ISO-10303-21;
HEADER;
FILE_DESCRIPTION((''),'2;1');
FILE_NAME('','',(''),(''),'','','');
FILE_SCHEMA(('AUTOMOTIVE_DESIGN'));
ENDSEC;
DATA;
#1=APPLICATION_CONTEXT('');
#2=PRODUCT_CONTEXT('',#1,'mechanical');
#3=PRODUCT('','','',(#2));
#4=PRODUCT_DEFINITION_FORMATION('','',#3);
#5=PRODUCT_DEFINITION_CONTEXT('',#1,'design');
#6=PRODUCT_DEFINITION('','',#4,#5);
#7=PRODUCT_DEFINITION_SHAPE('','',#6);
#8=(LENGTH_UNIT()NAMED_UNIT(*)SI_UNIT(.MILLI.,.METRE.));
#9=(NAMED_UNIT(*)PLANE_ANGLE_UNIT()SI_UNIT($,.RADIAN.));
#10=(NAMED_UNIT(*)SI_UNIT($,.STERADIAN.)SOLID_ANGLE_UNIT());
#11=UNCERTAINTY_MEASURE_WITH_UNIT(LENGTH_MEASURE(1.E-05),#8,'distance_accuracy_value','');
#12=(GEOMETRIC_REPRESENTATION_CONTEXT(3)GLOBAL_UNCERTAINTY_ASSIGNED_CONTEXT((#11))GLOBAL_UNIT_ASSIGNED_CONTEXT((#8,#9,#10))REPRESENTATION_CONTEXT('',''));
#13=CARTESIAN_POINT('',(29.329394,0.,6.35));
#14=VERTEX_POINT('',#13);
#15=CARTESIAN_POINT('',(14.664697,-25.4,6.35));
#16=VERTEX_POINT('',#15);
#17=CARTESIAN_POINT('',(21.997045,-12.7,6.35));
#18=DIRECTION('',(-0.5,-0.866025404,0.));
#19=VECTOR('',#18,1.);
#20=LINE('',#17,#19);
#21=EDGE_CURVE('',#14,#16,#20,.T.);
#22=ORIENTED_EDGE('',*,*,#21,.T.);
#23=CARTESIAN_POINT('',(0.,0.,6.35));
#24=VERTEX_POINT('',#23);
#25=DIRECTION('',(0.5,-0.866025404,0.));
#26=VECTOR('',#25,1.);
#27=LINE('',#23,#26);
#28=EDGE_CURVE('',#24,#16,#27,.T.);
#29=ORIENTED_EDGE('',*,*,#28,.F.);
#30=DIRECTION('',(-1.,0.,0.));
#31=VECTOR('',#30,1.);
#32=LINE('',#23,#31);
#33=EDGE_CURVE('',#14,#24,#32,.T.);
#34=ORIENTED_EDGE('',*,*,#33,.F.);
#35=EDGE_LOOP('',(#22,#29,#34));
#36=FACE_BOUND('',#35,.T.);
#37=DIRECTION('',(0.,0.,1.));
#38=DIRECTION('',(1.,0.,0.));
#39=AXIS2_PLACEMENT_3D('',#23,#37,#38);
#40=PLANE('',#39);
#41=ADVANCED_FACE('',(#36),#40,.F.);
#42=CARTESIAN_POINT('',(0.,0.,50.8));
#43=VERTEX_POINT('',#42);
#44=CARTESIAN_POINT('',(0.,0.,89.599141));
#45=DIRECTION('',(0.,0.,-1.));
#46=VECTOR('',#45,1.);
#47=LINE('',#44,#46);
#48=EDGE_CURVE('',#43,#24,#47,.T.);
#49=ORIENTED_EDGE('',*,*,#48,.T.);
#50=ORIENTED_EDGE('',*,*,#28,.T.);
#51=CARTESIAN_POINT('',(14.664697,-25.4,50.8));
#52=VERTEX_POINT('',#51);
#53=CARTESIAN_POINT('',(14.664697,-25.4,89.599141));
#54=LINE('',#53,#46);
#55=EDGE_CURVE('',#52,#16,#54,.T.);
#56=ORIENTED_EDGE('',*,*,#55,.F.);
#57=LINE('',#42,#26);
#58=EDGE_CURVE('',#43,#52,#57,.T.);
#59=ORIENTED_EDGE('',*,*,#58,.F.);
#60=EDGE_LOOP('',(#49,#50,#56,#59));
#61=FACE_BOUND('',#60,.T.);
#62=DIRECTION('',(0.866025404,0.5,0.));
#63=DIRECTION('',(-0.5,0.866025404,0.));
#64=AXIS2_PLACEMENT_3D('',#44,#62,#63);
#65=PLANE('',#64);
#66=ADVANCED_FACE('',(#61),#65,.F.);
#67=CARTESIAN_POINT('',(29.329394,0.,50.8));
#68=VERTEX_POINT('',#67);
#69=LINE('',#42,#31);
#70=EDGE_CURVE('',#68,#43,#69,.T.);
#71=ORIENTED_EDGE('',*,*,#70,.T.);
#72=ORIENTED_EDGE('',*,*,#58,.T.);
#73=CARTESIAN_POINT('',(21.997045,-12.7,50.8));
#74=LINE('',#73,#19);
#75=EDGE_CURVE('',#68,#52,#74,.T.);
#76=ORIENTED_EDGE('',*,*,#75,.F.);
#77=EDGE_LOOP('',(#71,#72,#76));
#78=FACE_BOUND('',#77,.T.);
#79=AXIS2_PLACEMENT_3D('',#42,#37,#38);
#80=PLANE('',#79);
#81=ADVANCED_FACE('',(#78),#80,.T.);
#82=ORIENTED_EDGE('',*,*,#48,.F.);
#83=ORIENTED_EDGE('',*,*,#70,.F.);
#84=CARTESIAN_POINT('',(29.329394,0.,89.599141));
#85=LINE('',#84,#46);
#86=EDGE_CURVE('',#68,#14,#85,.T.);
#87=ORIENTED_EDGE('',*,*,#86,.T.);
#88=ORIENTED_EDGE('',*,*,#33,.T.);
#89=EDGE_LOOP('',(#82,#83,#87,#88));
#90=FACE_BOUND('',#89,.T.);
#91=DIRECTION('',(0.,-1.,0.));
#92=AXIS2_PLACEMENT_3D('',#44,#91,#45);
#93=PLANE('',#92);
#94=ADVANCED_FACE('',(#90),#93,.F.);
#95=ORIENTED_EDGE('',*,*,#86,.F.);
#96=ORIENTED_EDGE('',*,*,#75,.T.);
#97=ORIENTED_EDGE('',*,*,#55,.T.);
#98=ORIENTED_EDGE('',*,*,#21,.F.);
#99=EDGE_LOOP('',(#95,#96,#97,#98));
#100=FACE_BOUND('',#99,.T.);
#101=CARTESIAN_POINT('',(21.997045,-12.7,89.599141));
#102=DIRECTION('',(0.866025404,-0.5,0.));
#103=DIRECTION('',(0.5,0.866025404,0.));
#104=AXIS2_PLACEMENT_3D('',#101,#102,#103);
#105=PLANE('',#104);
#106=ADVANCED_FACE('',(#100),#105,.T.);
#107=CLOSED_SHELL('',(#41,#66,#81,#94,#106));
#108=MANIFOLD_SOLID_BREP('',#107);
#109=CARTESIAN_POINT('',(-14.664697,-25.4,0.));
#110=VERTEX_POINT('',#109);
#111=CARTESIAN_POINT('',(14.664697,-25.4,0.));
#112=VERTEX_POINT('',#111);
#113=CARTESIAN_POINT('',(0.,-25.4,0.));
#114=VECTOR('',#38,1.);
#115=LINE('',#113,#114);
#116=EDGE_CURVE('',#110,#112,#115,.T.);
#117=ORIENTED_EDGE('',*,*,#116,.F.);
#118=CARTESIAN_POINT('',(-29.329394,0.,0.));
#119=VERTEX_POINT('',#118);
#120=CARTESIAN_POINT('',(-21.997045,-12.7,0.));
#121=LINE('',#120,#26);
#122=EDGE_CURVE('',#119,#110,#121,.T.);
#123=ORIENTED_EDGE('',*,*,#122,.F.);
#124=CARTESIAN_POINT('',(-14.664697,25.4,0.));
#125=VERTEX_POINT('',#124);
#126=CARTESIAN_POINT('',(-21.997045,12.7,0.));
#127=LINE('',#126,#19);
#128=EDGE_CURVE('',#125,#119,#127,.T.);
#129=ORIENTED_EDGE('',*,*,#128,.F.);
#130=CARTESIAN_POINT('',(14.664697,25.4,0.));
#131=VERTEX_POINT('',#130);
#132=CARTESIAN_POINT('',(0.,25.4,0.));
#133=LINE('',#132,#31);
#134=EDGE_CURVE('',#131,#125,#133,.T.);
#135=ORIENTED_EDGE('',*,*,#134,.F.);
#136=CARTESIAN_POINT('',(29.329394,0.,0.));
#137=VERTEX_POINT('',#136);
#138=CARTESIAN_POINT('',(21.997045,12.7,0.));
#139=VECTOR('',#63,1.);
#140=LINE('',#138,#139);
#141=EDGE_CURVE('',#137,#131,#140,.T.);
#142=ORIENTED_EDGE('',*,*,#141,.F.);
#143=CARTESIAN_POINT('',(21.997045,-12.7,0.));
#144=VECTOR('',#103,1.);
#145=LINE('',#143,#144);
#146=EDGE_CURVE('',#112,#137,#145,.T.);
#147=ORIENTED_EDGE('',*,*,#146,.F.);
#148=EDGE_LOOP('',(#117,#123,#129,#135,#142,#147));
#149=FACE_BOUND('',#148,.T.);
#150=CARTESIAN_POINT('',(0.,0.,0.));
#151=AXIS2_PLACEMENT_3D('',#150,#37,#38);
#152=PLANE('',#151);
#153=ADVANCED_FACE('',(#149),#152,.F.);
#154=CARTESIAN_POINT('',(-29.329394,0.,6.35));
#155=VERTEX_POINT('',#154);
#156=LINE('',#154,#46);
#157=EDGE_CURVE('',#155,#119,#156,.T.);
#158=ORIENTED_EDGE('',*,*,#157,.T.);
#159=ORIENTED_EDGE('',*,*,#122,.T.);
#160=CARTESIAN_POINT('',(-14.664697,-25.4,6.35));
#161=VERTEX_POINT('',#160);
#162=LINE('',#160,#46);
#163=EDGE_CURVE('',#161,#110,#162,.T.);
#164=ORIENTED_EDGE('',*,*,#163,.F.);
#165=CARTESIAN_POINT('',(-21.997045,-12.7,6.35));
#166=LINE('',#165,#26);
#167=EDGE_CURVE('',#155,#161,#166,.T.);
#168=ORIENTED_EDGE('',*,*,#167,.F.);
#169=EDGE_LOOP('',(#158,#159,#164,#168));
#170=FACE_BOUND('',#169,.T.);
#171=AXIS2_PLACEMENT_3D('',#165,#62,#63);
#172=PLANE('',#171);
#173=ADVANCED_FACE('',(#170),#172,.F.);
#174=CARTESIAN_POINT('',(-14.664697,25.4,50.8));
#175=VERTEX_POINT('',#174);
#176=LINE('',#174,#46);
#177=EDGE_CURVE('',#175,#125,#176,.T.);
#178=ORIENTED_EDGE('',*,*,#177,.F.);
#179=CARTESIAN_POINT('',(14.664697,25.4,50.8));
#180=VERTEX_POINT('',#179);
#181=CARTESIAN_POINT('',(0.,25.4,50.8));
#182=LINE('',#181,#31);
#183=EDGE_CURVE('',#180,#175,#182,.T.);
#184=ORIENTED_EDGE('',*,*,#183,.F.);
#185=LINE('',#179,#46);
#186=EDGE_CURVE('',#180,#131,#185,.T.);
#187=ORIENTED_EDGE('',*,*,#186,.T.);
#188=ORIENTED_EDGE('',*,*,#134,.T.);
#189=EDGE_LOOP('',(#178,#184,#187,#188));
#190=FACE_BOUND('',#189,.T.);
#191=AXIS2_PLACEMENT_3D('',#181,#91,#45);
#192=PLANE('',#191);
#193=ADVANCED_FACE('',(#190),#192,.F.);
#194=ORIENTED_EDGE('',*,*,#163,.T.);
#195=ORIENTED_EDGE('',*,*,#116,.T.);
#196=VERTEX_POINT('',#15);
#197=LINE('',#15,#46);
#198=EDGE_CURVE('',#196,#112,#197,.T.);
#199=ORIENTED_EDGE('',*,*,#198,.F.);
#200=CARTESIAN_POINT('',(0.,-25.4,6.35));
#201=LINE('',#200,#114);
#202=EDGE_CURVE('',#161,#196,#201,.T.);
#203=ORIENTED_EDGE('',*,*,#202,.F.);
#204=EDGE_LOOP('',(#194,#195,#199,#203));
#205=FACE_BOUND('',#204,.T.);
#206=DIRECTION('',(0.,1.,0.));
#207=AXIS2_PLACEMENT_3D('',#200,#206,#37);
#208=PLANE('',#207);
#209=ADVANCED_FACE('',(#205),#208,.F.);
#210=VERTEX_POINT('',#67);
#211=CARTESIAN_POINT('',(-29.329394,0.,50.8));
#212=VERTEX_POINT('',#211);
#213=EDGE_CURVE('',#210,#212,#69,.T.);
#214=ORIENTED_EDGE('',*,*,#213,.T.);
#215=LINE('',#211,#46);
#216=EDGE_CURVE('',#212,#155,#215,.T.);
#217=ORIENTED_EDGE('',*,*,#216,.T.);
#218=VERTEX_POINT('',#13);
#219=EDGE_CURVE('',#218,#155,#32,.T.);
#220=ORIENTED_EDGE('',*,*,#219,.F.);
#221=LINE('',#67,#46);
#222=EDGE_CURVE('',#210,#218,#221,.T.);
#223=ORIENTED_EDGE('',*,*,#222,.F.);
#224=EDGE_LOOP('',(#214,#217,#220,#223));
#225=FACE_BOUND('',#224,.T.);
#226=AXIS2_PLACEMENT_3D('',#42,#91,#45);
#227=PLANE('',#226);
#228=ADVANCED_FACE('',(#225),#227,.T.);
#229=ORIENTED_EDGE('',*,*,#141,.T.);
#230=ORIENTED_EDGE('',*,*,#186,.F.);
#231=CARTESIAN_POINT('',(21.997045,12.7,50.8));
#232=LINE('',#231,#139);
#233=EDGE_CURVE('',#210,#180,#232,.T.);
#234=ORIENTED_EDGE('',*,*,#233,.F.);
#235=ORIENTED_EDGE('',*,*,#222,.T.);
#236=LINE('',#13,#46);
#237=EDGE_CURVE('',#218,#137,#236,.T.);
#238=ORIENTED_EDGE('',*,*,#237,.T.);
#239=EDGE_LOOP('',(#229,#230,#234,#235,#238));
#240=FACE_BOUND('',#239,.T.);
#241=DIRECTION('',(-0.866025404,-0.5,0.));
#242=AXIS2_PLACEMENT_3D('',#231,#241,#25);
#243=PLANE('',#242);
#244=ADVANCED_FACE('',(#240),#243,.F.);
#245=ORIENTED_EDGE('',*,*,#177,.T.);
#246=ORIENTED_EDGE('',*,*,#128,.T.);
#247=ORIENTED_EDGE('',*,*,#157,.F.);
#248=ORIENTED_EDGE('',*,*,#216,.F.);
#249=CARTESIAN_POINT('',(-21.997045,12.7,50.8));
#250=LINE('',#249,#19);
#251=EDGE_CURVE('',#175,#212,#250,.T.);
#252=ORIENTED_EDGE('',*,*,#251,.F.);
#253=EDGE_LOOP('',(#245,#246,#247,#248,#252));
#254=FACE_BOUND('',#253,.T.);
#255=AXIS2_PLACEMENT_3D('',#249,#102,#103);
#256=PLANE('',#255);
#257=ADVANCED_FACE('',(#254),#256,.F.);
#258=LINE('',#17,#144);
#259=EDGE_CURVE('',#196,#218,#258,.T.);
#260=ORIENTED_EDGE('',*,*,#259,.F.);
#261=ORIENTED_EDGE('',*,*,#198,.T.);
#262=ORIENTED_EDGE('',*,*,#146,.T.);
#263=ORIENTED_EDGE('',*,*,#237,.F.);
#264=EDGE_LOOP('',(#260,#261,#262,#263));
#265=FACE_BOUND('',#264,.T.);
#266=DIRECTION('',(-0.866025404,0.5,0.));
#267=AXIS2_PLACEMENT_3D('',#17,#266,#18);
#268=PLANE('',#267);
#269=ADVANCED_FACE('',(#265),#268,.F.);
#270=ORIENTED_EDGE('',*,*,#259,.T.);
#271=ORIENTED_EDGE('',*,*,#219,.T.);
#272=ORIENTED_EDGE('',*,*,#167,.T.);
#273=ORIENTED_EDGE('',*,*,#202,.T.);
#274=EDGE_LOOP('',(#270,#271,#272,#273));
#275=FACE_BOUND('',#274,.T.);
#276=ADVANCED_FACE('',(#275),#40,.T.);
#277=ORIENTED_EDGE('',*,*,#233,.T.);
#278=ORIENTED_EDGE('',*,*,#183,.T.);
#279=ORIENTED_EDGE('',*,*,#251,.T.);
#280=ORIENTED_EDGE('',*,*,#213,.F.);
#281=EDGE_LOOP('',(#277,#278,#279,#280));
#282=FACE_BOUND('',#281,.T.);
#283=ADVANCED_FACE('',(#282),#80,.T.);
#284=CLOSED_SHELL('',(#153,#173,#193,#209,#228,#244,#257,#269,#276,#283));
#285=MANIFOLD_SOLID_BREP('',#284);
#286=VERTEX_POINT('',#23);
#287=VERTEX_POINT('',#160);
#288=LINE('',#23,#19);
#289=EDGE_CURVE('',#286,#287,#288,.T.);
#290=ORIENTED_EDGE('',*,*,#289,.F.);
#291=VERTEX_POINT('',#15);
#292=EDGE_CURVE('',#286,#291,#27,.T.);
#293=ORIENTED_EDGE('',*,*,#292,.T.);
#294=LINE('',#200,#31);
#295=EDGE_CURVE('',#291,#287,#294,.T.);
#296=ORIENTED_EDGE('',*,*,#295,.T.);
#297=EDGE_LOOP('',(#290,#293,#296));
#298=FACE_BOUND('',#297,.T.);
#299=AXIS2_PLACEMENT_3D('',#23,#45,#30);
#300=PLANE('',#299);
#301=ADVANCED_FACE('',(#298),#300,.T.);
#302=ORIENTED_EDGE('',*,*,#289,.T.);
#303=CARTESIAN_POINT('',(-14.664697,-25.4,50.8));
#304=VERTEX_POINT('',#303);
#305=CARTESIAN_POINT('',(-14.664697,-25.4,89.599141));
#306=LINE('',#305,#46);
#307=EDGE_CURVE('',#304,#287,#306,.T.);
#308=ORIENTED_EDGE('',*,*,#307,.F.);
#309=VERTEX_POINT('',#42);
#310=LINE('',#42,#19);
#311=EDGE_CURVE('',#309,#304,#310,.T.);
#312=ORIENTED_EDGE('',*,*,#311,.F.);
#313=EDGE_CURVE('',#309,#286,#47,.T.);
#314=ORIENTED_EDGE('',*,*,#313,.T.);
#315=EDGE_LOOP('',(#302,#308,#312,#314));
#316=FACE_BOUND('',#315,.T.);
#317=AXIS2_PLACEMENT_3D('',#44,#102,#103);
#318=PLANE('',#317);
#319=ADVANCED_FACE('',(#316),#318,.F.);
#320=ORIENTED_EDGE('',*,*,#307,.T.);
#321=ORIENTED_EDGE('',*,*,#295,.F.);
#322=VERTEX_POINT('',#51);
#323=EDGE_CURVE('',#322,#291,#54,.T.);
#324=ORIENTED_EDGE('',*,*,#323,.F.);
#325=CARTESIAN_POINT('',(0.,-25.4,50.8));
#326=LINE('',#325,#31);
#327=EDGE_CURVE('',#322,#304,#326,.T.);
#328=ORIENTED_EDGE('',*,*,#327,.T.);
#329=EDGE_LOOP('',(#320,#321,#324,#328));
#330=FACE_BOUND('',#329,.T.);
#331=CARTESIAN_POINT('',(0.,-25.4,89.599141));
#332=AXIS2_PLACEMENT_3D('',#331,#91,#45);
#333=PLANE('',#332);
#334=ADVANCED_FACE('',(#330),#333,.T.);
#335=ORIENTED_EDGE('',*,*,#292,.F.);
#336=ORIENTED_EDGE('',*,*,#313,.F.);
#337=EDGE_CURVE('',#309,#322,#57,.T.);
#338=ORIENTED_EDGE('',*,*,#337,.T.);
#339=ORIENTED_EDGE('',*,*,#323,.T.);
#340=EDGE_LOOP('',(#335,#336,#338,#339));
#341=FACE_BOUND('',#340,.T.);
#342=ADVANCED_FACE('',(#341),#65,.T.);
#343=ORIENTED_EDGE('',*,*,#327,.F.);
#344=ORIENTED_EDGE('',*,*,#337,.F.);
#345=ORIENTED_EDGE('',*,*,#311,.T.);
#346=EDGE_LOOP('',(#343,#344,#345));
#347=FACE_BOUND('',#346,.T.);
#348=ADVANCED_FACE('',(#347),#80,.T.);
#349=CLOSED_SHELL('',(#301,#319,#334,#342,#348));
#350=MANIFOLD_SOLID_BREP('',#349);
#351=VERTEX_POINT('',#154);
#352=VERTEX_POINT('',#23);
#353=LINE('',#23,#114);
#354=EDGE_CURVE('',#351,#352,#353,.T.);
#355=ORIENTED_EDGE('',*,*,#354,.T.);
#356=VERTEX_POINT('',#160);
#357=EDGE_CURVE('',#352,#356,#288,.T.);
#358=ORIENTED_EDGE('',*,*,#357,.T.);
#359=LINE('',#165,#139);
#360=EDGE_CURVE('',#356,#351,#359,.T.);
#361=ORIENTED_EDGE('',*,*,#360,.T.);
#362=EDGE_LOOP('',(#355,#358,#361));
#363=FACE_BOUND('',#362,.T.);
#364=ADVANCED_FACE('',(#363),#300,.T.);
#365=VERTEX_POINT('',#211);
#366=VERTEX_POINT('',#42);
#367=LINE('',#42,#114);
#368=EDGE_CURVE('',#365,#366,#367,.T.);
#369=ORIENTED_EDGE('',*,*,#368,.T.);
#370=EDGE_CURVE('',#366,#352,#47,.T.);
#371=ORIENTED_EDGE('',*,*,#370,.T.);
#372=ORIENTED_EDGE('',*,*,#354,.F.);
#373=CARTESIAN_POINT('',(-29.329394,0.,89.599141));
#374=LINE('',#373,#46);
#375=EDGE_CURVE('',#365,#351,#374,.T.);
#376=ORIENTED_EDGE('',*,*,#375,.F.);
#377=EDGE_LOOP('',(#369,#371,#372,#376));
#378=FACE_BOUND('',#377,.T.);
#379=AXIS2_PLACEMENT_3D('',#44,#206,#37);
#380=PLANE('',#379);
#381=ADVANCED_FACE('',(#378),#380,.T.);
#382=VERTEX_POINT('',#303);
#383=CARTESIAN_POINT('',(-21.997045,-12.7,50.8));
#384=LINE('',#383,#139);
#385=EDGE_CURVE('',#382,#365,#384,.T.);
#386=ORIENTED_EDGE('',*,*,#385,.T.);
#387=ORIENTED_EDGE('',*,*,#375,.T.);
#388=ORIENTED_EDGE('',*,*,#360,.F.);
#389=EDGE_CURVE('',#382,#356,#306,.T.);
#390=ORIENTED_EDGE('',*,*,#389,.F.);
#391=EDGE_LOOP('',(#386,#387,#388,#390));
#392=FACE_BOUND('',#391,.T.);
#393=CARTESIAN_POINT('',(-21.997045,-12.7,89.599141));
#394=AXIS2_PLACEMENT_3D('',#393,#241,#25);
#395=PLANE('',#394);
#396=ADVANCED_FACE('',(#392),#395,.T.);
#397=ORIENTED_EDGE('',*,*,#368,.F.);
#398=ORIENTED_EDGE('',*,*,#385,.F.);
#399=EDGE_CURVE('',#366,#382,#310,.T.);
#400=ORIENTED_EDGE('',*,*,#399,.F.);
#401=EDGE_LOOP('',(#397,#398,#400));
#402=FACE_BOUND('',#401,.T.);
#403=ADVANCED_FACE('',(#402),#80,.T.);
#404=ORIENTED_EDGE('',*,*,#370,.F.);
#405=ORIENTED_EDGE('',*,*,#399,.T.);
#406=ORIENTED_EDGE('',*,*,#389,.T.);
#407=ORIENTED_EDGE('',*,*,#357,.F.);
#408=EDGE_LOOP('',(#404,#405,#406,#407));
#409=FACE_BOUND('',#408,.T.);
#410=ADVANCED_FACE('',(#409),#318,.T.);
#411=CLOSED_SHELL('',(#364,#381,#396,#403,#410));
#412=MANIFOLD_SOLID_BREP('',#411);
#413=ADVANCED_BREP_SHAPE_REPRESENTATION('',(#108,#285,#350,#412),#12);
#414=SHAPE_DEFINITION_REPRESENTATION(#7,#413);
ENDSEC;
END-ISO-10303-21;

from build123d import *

# Parameters (mm, degrees)
BOSS_EXTRUDE5_DEPTH = 50.8
BOSS_EXTRUDE6_DEPTH = 6.35
BOSS_EXTRUDE7_START = 6.35
BOSS_EXTRUDE7_DEPTH = 44.45
BOSS_EXTRUDE8_START = 6.35
BOSS_EXTRUDE8_DEPTH = 44.45
BOSS_EXTRUDE9_START = 6.35
BOSS_EXTRUDE9_DEPTH = 44.45


with BuildPart() as part:
    # Sketch1 → Boss-Extrude5 (new body)
    with BuildSketch(Plane.XY):
        Polygon((0, 0), (-29.329393675, 0), (-14.664696837, 25.4), align=None)
        Polygon((-14.664696837, 25.4), (0, 0), (14.664696837, 25.4), align=None)
        Polygon((0, 0), (14.664696837, 25.4), (29.329393675, 0), align=None)
    extrude(amount=BOSS_EXTRUDE5_DEPTH)

    # Sketch1<8> → Boss-Extrude6 (add)
    with BuildSketch(Plane.XY):
        Polygon((-29.329393675, 0), (-14.664696837, -25.4), (0, 0), align=None)
        Polygon((-14.664696837, -25.4), (14.664696837, -25.4), (0, 0), align=None)
        Polygon((14.664696837, -25.4), (0, 0), (29.329393675, 0), align=None)
    extrude(amount=BOSS_EXTRUDE6_DEPTH)


with BuildPart() as body_2:
    # Sketch1<9> → Boss-Extrude7 (new body)
    with BuildSketch(Plane.XY.offset(BOSS_EXTRUDE7_START)):
        Polygon((-29.329393675, 0), (-14.664696837, -25.4), (0, 0), align=None)
    extrude(amount=BOSS_EXTRUDE7_DEPTH)


with BuildPart() as body_3:
    # Sketch1<10> → Boss-Extrude8 (new body)
    with BuildSketch(Plane.XY.offset(BOSS_EXTRUDE8_START)):
        Polygon((-14.664696837, -25.4), (14.664696837, -25.4), (0, 0), align=None)
    extrude(amount=BOSS_EXTRUDE8_DEPTH)


with BuildPart() as body_4:
    # Sketch1<11> → Boss-Extrude9 (new body)
    with BuildSketch(Plane.XY.offset(BOSS_EXTRUDE9_START)):
        Polygon((14.664696837, -25.4), (0, 0), (29.329393675, 0), align=None)
    extrude(amount=BOSS_EXTRUDE9_DEPTH)


solid = Compound([part.part, body_2.part, body_3.part, body_4.part])
